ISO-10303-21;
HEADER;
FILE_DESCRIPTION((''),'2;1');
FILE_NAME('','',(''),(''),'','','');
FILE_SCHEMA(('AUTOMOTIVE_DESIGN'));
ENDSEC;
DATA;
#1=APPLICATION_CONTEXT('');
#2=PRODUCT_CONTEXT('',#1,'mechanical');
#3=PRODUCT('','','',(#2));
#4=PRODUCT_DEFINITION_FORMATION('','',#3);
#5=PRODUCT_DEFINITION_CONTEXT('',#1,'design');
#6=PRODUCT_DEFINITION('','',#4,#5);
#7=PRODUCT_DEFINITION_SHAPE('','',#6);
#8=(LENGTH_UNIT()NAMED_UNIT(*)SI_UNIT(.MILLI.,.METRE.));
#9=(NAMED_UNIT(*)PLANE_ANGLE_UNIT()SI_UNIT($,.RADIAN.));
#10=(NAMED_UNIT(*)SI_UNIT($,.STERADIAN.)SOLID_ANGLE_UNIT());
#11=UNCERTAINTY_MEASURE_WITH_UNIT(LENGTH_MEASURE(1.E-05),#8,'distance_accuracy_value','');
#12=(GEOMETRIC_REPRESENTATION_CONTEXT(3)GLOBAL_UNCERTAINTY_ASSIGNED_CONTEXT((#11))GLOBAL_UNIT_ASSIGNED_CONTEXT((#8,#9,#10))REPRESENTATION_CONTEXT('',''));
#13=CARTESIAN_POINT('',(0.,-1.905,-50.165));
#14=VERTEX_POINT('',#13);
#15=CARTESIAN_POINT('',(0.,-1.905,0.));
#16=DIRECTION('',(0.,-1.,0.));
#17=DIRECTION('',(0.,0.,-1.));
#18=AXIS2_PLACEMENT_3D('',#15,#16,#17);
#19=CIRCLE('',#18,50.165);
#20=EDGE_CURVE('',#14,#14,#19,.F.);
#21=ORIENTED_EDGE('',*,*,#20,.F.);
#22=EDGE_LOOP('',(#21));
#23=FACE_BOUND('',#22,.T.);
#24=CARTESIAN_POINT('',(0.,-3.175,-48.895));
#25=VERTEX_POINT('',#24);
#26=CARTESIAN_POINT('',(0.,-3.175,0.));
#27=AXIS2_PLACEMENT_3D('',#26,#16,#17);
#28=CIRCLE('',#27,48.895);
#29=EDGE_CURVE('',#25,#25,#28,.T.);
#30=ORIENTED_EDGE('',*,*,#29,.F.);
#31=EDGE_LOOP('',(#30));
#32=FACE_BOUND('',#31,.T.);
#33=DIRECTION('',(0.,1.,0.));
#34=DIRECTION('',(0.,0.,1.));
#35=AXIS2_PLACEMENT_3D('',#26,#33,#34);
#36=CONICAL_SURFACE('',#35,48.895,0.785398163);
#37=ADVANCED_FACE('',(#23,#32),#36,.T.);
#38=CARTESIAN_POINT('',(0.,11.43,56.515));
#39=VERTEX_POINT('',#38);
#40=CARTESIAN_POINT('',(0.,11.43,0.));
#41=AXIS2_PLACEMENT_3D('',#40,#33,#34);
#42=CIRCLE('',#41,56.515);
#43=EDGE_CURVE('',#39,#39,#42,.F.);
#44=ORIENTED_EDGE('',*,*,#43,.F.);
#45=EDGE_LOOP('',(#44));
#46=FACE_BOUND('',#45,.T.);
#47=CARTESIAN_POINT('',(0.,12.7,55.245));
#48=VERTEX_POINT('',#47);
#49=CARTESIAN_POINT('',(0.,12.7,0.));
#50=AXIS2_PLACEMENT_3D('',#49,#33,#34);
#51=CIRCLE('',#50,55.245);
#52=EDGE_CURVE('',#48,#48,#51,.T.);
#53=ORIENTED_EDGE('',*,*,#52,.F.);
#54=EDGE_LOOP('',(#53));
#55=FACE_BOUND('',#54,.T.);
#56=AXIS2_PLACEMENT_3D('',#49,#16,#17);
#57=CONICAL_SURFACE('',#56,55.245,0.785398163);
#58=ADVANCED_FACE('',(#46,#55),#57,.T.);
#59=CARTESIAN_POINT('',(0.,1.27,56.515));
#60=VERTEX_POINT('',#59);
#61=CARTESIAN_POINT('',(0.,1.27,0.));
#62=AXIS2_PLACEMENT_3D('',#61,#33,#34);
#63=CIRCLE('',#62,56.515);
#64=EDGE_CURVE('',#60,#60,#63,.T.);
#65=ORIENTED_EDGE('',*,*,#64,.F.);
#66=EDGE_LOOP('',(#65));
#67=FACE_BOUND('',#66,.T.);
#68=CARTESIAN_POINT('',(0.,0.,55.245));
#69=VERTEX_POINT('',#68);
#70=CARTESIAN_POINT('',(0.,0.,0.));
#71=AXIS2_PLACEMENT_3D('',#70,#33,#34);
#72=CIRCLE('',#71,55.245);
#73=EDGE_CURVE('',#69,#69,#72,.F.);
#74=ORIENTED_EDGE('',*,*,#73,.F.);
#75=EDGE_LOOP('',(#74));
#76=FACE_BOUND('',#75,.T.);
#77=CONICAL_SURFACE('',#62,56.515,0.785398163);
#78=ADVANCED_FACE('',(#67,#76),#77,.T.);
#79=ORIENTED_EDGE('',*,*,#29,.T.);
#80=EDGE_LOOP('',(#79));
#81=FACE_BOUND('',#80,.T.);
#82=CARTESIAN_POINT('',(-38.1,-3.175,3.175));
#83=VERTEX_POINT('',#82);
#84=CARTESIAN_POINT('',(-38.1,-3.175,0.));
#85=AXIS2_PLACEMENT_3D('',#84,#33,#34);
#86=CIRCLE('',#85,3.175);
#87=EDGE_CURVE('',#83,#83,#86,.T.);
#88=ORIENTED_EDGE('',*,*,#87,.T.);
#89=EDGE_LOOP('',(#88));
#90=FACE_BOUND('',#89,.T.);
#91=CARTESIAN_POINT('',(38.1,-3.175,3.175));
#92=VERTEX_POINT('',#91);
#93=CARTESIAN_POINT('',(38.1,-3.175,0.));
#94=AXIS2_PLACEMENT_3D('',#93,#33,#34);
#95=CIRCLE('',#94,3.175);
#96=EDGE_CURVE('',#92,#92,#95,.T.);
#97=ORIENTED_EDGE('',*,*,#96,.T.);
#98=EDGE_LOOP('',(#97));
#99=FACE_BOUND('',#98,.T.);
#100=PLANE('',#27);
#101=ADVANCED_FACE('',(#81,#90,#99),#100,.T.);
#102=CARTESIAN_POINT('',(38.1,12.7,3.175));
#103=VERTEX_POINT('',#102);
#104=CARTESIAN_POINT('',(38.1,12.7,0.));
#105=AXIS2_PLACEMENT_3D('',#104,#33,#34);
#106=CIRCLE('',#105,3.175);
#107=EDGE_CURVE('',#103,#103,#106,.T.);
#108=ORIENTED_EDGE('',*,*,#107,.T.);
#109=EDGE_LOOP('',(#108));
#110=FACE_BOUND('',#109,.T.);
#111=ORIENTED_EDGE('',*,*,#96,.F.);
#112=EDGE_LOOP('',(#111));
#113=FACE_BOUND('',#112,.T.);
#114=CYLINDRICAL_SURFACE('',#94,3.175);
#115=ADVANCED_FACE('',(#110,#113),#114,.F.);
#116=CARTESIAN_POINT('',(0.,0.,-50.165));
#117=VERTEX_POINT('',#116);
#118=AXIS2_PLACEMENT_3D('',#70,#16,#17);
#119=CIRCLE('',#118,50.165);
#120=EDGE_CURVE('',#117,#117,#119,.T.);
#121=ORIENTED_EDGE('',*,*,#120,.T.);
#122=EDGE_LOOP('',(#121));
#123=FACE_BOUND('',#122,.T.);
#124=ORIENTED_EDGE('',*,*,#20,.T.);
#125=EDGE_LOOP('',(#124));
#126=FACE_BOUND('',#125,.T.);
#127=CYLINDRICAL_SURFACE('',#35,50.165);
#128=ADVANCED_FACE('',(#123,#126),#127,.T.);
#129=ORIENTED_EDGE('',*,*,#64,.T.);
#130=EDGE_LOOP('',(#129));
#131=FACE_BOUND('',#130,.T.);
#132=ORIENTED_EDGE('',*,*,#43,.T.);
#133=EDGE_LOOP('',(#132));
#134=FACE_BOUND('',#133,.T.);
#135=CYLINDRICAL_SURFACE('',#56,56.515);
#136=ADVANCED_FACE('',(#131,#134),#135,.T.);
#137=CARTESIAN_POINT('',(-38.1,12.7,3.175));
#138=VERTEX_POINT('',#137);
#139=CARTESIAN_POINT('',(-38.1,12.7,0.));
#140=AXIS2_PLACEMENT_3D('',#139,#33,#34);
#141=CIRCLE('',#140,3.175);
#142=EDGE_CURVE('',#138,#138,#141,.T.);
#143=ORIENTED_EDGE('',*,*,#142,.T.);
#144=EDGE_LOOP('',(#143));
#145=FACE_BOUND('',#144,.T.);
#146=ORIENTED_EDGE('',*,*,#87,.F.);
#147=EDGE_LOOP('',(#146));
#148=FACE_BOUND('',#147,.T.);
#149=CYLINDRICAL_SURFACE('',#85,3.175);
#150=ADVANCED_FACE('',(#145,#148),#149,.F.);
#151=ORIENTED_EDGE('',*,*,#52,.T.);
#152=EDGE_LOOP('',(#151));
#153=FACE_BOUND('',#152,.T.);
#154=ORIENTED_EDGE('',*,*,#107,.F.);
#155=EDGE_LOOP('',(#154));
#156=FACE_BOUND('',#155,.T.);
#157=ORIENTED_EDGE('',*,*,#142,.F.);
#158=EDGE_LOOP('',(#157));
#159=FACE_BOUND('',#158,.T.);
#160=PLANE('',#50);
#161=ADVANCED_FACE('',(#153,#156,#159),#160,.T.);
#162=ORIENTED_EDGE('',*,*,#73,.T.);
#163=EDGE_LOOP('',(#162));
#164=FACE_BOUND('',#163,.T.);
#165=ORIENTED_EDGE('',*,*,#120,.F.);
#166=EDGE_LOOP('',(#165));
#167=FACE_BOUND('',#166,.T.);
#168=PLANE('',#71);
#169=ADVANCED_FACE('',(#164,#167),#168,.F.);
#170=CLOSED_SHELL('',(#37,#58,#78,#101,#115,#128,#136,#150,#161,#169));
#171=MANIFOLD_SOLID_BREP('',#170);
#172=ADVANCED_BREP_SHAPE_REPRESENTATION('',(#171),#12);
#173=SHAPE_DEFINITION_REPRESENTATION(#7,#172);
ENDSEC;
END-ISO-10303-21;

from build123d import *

# Parameters (mm, degrees)
SKETCH1_R           = 56.515
BOSS_EXTRUDE1_DEPTH = 12.7
CHAMFER1_SIZE       = 1.27
SKETCH2_R           = 50.165
BOSS_EXTRUDE2_DEPTH = 3.175
CHAMFER2_SIZE       = 1.27
SKETCH3_R           = 3.175
CUT_EXTRUDE1_DEPTH  = 16.875


with BuildPart() as part:
    # Sketch1 → Boss-Extrude1 (new body)
    with BuildSketch(Plane(origin=(0, 0, 0), x_dir=(1, 0, 0), z_dir=(0, 1, 0))):
        Circle(SKETCH1_R)
    extrude(amount=BOSS_EXTRUDE1_DEPTH)

    # Chamfer1
    chamfer1_edges = [part.edges().sort_by_distance(p)[0] for p in [
        (-56.515, 0, 0),
        (-56.515, 12.7, 0),
    ]]
    chamfer(chamfer1_edges, length=CHAMFER1_SIZE)

    # Sketch2 → Boss-Extrude2 (add)
    with BuildSketch(Plane.XZ):
        Circle(SKETCH2_R)
    extrude(amount=BOSS_EXTRUDE2_DEPTH)

    # Chamfer2
    chamfer2_edges = [part.edges().sort_by_distance(p)[0] for p in [
        (-50.165, -3.175, 0),
    ]]
    chamfer(chamfer2_edges, length=CHAMFER2_SIZE)

    # Sketch3 → Cut-Extrude1 (cut, through all)
    with BuildSketch(Plane(origin=(0, 12.7, 0), x_dir=(1, 0, 0), z_dir=(0, 1, 0))):
        with Locations((-38.1, 0)):
            Circle(SKETCH3_R)
        with Locations((38.1, 0)):
            Circle(SKETCH3_R)
    extrude(amount=-CUT_EXTRUDE1_DEPTH, mode=Mode.SUBTRACT)


solid = part.part
